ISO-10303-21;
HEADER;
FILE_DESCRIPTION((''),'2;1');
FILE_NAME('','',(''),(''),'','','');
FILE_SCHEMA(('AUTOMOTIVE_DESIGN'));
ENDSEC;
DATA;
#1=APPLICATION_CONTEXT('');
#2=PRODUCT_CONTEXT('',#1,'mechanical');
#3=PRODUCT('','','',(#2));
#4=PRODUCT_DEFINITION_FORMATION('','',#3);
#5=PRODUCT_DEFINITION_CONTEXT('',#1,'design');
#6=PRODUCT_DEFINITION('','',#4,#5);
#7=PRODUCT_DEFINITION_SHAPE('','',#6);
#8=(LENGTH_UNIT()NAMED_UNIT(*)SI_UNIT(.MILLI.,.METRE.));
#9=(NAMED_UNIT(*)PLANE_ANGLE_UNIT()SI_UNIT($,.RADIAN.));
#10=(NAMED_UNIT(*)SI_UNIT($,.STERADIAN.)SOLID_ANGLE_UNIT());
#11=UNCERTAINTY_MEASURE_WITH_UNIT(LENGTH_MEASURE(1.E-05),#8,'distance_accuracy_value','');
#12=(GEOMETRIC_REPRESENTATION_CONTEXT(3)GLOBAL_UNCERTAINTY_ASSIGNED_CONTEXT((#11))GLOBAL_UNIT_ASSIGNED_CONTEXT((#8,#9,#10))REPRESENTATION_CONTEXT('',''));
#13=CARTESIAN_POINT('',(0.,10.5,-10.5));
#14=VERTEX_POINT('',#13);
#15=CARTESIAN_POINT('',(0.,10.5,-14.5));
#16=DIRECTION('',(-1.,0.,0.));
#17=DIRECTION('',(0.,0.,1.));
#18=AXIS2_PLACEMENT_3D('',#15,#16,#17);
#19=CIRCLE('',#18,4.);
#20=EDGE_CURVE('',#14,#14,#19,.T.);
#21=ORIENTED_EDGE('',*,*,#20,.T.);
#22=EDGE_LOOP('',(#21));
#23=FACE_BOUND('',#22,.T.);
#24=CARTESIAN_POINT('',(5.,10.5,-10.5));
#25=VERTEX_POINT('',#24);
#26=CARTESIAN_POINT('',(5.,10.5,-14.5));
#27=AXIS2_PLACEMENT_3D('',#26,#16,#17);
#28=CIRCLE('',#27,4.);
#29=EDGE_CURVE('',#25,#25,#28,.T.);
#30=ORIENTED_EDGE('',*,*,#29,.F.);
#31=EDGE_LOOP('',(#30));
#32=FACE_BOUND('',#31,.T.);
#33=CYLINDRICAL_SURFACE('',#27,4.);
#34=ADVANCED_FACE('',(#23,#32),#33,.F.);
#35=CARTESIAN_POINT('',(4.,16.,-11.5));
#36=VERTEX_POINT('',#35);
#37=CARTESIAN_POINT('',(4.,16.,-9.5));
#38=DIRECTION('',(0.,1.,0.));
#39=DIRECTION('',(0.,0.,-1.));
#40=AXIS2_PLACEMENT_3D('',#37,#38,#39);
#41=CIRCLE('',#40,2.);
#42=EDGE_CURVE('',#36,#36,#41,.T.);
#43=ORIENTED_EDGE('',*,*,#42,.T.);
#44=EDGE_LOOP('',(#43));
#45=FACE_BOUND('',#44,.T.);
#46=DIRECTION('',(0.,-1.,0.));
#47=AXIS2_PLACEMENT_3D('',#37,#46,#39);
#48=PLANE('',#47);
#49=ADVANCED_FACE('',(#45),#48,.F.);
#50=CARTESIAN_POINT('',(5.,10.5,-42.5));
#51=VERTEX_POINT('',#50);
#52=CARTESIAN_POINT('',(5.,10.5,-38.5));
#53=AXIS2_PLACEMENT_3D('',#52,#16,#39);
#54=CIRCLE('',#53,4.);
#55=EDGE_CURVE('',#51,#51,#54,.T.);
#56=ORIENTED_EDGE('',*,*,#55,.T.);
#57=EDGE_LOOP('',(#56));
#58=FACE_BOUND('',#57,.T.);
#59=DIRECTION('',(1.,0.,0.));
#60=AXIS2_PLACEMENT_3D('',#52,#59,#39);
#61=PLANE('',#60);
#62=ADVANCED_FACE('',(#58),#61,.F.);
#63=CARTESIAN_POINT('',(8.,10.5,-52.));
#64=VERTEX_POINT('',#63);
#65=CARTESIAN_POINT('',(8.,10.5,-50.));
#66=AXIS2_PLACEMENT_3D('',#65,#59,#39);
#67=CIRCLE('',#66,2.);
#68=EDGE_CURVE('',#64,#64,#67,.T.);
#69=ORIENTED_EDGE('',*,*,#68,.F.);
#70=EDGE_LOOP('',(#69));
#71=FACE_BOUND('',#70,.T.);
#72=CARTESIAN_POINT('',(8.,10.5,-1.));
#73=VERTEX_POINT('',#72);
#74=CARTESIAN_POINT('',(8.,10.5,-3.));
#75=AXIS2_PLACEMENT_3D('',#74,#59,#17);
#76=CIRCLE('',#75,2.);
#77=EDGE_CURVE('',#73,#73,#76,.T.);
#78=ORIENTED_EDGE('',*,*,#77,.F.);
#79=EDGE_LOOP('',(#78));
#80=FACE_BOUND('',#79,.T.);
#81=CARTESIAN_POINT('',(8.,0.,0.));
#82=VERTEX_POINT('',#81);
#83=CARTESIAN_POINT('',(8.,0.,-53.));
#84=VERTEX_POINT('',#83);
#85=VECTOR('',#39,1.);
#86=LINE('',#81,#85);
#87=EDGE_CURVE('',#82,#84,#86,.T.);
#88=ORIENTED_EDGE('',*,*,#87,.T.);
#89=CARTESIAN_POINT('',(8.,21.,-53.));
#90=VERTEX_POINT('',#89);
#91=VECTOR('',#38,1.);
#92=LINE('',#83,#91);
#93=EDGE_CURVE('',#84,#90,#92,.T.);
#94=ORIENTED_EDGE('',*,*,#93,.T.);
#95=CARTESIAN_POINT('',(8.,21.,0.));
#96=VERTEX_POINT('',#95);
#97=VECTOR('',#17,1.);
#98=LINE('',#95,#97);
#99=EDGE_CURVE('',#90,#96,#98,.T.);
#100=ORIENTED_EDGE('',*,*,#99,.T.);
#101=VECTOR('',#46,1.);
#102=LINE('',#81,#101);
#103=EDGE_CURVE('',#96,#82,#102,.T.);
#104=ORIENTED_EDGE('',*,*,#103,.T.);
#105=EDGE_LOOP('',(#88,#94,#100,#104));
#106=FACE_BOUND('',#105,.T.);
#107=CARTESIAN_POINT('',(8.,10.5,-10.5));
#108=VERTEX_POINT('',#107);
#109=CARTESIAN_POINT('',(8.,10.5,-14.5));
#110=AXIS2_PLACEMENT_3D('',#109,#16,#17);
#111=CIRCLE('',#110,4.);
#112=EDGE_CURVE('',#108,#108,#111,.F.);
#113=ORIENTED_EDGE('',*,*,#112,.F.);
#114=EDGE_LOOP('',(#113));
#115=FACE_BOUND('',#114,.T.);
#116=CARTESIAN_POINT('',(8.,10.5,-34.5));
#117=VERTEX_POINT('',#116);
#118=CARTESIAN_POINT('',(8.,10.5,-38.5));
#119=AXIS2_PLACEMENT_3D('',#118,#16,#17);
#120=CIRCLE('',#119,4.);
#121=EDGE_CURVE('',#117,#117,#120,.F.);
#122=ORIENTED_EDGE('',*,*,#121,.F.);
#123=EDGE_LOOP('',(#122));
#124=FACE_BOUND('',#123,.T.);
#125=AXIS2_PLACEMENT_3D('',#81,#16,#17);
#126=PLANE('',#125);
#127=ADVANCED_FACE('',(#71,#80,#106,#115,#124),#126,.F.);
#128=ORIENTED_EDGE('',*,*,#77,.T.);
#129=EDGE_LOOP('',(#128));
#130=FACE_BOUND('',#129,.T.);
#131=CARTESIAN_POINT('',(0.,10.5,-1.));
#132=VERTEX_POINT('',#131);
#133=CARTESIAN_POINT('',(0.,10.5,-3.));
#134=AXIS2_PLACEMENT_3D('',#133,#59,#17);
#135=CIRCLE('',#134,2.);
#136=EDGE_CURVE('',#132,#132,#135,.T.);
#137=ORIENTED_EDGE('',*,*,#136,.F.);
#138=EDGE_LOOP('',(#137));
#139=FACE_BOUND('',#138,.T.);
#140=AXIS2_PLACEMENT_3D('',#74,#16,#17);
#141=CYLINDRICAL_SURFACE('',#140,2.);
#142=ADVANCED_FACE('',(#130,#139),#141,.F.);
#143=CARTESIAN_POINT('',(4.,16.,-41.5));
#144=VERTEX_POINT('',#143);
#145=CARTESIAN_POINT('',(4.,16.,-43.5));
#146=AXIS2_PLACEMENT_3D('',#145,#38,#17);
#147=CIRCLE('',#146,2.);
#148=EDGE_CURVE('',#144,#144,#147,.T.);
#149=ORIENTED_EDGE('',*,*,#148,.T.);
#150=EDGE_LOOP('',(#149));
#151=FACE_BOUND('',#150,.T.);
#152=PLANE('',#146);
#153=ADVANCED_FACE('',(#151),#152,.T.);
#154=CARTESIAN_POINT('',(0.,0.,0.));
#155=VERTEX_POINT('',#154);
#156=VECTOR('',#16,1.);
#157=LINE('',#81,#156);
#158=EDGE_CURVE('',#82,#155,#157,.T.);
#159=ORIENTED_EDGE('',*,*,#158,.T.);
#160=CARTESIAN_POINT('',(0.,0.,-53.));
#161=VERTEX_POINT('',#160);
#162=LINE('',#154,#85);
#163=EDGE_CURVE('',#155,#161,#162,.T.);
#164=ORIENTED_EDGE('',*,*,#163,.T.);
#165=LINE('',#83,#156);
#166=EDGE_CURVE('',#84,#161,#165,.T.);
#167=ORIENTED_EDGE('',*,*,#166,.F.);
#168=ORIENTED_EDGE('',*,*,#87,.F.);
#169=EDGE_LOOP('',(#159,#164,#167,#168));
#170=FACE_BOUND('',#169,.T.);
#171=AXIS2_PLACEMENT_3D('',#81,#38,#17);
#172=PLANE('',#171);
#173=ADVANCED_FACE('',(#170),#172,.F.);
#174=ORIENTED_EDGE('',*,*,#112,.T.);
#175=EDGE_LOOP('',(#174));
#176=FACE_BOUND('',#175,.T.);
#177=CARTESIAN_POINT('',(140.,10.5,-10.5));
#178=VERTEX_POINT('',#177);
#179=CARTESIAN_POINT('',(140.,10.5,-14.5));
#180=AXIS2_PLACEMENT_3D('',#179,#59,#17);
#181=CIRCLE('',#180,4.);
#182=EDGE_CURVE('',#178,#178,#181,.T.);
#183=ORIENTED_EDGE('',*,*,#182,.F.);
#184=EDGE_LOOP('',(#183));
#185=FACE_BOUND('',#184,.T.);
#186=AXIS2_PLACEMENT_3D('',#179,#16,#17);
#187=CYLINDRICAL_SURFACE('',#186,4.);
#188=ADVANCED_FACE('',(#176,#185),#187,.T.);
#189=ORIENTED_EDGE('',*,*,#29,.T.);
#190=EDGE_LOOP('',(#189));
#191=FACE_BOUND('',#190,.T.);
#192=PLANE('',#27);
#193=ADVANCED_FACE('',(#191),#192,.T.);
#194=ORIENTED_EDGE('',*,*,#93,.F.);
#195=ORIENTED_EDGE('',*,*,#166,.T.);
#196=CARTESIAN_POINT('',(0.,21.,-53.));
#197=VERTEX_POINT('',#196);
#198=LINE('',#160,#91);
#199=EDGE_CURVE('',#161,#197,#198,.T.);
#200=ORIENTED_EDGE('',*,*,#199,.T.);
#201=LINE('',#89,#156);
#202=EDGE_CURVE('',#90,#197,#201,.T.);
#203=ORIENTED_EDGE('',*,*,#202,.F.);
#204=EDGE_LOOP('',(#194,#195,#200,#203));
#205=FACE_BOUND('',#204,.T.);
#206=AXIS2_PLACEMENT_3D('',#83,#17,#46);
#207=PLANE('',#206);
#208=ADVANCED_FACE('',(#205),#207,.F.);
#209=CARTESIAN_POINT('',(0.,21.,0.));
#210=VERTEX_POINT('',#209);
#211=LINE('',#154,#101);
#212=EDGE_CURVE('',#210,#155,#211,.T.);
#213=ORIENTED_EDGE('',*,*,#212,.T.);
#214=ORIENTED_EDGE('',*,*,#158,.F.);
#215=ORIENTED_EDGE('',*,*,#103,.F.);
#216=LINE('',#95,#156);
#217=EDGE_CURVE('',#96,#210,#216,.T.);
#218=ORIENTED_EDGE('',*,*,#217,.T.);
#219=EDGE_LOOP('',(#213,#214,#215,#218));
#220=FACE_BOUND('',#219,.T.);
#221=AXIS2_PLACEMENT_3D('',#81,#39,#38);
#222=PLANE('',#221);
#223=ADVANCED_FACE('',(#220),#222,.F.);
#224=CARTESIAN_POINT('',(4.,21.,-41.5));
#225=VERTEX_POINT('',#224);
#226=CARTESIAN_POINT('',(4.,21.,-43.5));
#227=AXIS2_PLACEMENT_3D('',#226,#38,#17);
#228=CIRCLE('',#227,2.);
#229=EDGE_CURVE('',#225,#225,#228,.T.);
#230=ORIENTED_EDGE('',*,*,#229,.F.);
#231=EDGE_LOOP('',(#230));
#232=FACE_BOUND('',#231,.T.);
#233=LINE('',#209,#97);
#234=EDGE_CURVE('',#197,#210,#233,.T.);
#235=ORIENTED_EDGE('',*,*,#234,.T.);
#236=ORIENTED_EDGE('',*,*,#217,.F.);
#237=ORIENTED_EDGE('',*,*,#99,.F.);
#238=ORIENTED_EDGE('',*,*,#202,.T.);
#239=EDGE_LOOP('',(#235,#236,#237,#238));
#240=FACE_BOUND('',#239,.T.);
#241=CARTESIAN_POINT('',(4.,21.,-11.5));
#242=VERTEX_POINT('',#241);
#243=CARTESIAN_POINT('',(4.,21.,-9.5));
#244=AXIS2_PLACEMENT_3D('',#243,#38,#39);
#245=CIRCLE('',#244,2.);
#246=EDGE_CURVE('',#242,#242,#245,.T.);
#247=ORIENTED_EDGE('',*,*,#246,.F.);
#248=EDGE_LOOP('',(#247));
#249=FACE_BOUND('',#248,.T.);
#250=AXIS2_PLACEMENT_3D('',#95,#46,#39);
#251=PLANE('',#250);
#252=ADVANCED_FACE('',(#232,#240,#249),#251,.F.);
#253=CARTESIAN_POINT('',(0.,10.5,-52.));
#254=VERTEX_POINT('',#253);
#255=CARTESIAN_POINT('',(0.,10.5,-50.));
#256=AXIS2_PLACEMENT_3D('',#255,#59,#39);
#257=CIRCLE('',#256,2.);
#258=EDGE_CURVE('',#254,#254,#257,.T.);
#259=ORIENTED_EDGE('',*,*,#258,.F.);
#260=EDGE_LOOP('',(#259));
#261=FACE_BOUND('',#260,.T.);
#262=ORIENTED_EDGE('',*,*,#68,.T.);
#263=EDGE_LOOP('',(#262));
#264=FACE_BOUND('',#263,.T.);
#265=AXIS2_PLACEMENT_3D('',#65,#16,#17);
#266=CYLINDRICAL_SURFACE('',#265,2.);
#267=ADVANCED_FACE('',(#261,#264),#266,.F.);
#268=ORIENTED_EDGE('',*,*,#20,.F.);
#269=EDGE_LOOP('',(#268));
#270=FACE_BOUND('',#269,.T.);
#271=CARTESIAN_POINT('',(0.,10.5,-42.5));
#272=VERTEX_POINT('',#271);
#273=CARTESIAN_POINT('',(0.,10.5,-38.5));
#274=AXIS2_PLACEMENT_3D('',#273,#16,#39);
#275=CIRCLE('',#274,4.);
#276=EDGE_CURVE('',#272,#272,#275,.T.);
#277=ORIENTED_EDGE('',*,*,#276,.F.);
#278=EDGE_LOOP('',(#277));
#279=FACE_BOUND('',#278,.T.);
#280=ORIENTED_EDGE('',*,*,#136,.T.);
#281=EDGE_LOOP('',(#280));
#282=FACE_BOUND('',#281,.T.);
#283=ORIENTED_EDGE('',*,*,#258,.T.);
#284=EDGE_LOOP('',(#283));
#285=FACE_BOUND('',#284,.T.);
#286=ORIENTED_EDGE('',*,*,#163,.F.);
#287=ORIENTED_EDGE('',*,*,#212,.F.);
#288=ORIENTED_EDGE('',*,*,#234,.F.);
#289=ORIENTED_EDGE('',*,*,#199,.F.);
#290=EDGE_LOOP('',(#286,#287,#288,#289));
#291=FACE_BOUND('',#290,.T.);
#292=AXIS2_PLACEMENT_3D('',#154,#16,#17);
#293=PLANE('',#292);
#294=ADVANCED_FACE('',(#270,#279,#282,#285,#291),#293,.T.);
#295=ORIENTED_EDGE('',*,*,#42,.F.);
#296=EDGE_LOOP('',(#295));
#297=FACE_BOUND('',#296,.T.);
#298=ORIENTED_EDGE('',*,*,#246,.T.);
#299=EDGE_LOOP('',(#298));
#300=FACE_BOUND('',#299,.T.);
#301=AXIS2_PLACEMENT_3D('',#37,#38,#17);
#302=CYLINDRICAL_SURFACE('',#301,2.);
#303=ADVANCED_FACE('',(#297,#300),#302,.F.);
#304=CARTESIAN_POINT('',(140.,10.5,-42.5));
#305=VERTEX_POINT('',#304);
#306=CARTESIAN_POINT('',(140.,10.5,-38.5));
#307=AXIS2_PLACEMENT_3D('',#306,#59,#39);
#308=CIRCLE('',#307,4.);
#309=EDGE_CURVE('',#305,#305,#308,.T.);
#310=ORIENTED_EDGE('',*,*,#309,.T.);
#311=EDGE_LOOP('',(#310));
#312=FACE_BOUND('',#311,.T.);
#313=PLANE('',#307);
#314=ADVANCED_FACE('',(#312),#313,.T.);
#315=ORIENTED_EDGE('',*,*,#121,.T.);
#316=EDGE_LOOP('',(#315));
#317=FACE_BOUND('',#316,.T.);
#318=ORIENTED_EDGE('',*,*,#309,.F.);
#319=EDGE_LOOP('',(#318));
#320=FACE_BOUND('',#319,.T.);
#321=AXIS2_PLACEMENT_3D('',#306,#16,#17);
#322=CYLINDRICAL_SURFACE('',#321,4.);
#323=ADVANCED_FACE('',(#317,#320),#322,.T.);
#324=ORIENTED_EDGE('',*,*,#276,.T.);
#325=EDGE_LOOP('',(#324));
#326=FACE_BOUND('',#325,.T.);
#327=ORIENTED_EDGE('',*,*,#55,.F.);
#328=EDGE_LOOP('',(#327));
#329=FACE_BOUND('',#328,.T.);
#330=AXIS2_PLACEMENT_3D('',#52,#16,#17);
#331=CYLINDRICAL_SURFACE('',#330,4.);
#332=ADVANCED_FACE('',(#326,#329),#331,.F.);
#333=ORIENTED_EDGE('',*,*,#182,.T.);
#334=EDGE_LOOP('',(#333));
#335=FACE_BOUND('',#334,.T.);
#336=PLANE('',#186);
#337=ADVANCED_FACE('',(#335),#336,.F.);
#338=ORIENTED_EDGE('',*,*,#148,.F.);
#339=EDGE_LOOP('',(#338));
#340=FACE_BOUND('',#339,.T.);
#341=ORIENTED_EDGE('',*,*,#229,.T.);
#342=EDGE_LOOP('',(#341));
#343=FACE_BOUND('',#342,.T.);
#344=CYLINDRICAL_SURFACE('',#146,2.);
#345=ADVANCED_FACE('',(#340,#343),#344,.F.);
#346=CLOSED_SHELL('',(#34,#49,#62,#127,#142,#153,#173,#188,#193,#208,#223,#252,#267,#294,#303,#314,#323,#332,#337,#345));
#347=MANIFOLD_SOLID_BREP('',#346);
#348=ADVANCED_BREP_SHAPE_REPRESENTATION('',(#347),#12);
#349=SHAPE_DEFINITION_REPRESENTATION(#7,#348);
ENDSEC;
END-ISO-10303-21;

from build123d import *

# Parameters (mm, degrees)
SKETCH_1_W          = 53
SKETCH_1_H          = 21
SKETCH_1_R          = 2
EXTRUDE_1_DEPTH     = 8
SKETCH_2_R          = 4
CUT_EXTRUDE_1_DEPTH = 5
SKETCH_3_R          = 4
EXTRUDE_2_DEPTH     = 132
SKETCH_4_R          = 2
CUT_EXTRUDE_2_DEPTH = 5


with BuildPart() as part:
    # 草图1 → 凸台-拉伸1 (new body)
    with BuildSketch(Plane(origin=(0, 0, 0), x_dir=(0, 0, -1), z_dir=(1, 0, 0))):
        with Locations((26.5, 10.5)):
            Rectangle(SKETCH_1_W, SKETCH_1_H)
        with Locations((50, 10.5)):
            Circle(SKETCH_1_R, mode=Mode.SUBTRACT)
        with Locations(Location((3, 10.5, 0), (0, 0, 180))):
            Circle(SKETCH_1_R, mode=Mode.SUBTRACT)
    extrude(amount=EXTRUDE_1_DEPTH)

    # 草图2 → 切除-拉伸1 (cut)
    with BuildSketch(Plane.ZY):
        with Locations((-14.5, 10.5)):
            Circle(SKETCH_2_R)
        with Locations(Location((-38.5, 10.5, 0), (0, 0, 180))):
            Circle(SKETCH_2_R)
    extrude(amount=-CUT_EXTRUDE_1_DEPTH, mode=Mode.SUBTRACT)

    # 草图3 → 凸台-拉伸2 (add)
    with BuildSketch(Plane(origin=(8, 0, 0), x_dir=(0, 0, -1), z_dir=(1, 0, 0))):
        with Locations((38.5, 10.5)):
            Circle(SKETCH_3_R)
        with Locations(Location((14.5, 10.5, 0), (0, 0, 180))):
            Circle(SKETCH_3_R)
    extrude(amount=EXTRUDE_2_DEPTH)

    # 草图4 → 切除-拉伸2 (cut)
    with BuildSketch(Plane(origin=(0, 21, 0), x_dir=(1, 0, 0), z_dir=(0, 1, 0))):
        with Locations(Location((4, 43.5, 0), (0, 0, 270))):
            Circle(SKETCH_4_R)
        with Locations(Location((4, 9.5, 0), (0, 0, 90))):
            Circle(SKETCH_4_R)
    extrude(amount=-CUT_EXTRUDE_2_DEPTH, mode=Mode.SUBTRACT)


solid = part.part
